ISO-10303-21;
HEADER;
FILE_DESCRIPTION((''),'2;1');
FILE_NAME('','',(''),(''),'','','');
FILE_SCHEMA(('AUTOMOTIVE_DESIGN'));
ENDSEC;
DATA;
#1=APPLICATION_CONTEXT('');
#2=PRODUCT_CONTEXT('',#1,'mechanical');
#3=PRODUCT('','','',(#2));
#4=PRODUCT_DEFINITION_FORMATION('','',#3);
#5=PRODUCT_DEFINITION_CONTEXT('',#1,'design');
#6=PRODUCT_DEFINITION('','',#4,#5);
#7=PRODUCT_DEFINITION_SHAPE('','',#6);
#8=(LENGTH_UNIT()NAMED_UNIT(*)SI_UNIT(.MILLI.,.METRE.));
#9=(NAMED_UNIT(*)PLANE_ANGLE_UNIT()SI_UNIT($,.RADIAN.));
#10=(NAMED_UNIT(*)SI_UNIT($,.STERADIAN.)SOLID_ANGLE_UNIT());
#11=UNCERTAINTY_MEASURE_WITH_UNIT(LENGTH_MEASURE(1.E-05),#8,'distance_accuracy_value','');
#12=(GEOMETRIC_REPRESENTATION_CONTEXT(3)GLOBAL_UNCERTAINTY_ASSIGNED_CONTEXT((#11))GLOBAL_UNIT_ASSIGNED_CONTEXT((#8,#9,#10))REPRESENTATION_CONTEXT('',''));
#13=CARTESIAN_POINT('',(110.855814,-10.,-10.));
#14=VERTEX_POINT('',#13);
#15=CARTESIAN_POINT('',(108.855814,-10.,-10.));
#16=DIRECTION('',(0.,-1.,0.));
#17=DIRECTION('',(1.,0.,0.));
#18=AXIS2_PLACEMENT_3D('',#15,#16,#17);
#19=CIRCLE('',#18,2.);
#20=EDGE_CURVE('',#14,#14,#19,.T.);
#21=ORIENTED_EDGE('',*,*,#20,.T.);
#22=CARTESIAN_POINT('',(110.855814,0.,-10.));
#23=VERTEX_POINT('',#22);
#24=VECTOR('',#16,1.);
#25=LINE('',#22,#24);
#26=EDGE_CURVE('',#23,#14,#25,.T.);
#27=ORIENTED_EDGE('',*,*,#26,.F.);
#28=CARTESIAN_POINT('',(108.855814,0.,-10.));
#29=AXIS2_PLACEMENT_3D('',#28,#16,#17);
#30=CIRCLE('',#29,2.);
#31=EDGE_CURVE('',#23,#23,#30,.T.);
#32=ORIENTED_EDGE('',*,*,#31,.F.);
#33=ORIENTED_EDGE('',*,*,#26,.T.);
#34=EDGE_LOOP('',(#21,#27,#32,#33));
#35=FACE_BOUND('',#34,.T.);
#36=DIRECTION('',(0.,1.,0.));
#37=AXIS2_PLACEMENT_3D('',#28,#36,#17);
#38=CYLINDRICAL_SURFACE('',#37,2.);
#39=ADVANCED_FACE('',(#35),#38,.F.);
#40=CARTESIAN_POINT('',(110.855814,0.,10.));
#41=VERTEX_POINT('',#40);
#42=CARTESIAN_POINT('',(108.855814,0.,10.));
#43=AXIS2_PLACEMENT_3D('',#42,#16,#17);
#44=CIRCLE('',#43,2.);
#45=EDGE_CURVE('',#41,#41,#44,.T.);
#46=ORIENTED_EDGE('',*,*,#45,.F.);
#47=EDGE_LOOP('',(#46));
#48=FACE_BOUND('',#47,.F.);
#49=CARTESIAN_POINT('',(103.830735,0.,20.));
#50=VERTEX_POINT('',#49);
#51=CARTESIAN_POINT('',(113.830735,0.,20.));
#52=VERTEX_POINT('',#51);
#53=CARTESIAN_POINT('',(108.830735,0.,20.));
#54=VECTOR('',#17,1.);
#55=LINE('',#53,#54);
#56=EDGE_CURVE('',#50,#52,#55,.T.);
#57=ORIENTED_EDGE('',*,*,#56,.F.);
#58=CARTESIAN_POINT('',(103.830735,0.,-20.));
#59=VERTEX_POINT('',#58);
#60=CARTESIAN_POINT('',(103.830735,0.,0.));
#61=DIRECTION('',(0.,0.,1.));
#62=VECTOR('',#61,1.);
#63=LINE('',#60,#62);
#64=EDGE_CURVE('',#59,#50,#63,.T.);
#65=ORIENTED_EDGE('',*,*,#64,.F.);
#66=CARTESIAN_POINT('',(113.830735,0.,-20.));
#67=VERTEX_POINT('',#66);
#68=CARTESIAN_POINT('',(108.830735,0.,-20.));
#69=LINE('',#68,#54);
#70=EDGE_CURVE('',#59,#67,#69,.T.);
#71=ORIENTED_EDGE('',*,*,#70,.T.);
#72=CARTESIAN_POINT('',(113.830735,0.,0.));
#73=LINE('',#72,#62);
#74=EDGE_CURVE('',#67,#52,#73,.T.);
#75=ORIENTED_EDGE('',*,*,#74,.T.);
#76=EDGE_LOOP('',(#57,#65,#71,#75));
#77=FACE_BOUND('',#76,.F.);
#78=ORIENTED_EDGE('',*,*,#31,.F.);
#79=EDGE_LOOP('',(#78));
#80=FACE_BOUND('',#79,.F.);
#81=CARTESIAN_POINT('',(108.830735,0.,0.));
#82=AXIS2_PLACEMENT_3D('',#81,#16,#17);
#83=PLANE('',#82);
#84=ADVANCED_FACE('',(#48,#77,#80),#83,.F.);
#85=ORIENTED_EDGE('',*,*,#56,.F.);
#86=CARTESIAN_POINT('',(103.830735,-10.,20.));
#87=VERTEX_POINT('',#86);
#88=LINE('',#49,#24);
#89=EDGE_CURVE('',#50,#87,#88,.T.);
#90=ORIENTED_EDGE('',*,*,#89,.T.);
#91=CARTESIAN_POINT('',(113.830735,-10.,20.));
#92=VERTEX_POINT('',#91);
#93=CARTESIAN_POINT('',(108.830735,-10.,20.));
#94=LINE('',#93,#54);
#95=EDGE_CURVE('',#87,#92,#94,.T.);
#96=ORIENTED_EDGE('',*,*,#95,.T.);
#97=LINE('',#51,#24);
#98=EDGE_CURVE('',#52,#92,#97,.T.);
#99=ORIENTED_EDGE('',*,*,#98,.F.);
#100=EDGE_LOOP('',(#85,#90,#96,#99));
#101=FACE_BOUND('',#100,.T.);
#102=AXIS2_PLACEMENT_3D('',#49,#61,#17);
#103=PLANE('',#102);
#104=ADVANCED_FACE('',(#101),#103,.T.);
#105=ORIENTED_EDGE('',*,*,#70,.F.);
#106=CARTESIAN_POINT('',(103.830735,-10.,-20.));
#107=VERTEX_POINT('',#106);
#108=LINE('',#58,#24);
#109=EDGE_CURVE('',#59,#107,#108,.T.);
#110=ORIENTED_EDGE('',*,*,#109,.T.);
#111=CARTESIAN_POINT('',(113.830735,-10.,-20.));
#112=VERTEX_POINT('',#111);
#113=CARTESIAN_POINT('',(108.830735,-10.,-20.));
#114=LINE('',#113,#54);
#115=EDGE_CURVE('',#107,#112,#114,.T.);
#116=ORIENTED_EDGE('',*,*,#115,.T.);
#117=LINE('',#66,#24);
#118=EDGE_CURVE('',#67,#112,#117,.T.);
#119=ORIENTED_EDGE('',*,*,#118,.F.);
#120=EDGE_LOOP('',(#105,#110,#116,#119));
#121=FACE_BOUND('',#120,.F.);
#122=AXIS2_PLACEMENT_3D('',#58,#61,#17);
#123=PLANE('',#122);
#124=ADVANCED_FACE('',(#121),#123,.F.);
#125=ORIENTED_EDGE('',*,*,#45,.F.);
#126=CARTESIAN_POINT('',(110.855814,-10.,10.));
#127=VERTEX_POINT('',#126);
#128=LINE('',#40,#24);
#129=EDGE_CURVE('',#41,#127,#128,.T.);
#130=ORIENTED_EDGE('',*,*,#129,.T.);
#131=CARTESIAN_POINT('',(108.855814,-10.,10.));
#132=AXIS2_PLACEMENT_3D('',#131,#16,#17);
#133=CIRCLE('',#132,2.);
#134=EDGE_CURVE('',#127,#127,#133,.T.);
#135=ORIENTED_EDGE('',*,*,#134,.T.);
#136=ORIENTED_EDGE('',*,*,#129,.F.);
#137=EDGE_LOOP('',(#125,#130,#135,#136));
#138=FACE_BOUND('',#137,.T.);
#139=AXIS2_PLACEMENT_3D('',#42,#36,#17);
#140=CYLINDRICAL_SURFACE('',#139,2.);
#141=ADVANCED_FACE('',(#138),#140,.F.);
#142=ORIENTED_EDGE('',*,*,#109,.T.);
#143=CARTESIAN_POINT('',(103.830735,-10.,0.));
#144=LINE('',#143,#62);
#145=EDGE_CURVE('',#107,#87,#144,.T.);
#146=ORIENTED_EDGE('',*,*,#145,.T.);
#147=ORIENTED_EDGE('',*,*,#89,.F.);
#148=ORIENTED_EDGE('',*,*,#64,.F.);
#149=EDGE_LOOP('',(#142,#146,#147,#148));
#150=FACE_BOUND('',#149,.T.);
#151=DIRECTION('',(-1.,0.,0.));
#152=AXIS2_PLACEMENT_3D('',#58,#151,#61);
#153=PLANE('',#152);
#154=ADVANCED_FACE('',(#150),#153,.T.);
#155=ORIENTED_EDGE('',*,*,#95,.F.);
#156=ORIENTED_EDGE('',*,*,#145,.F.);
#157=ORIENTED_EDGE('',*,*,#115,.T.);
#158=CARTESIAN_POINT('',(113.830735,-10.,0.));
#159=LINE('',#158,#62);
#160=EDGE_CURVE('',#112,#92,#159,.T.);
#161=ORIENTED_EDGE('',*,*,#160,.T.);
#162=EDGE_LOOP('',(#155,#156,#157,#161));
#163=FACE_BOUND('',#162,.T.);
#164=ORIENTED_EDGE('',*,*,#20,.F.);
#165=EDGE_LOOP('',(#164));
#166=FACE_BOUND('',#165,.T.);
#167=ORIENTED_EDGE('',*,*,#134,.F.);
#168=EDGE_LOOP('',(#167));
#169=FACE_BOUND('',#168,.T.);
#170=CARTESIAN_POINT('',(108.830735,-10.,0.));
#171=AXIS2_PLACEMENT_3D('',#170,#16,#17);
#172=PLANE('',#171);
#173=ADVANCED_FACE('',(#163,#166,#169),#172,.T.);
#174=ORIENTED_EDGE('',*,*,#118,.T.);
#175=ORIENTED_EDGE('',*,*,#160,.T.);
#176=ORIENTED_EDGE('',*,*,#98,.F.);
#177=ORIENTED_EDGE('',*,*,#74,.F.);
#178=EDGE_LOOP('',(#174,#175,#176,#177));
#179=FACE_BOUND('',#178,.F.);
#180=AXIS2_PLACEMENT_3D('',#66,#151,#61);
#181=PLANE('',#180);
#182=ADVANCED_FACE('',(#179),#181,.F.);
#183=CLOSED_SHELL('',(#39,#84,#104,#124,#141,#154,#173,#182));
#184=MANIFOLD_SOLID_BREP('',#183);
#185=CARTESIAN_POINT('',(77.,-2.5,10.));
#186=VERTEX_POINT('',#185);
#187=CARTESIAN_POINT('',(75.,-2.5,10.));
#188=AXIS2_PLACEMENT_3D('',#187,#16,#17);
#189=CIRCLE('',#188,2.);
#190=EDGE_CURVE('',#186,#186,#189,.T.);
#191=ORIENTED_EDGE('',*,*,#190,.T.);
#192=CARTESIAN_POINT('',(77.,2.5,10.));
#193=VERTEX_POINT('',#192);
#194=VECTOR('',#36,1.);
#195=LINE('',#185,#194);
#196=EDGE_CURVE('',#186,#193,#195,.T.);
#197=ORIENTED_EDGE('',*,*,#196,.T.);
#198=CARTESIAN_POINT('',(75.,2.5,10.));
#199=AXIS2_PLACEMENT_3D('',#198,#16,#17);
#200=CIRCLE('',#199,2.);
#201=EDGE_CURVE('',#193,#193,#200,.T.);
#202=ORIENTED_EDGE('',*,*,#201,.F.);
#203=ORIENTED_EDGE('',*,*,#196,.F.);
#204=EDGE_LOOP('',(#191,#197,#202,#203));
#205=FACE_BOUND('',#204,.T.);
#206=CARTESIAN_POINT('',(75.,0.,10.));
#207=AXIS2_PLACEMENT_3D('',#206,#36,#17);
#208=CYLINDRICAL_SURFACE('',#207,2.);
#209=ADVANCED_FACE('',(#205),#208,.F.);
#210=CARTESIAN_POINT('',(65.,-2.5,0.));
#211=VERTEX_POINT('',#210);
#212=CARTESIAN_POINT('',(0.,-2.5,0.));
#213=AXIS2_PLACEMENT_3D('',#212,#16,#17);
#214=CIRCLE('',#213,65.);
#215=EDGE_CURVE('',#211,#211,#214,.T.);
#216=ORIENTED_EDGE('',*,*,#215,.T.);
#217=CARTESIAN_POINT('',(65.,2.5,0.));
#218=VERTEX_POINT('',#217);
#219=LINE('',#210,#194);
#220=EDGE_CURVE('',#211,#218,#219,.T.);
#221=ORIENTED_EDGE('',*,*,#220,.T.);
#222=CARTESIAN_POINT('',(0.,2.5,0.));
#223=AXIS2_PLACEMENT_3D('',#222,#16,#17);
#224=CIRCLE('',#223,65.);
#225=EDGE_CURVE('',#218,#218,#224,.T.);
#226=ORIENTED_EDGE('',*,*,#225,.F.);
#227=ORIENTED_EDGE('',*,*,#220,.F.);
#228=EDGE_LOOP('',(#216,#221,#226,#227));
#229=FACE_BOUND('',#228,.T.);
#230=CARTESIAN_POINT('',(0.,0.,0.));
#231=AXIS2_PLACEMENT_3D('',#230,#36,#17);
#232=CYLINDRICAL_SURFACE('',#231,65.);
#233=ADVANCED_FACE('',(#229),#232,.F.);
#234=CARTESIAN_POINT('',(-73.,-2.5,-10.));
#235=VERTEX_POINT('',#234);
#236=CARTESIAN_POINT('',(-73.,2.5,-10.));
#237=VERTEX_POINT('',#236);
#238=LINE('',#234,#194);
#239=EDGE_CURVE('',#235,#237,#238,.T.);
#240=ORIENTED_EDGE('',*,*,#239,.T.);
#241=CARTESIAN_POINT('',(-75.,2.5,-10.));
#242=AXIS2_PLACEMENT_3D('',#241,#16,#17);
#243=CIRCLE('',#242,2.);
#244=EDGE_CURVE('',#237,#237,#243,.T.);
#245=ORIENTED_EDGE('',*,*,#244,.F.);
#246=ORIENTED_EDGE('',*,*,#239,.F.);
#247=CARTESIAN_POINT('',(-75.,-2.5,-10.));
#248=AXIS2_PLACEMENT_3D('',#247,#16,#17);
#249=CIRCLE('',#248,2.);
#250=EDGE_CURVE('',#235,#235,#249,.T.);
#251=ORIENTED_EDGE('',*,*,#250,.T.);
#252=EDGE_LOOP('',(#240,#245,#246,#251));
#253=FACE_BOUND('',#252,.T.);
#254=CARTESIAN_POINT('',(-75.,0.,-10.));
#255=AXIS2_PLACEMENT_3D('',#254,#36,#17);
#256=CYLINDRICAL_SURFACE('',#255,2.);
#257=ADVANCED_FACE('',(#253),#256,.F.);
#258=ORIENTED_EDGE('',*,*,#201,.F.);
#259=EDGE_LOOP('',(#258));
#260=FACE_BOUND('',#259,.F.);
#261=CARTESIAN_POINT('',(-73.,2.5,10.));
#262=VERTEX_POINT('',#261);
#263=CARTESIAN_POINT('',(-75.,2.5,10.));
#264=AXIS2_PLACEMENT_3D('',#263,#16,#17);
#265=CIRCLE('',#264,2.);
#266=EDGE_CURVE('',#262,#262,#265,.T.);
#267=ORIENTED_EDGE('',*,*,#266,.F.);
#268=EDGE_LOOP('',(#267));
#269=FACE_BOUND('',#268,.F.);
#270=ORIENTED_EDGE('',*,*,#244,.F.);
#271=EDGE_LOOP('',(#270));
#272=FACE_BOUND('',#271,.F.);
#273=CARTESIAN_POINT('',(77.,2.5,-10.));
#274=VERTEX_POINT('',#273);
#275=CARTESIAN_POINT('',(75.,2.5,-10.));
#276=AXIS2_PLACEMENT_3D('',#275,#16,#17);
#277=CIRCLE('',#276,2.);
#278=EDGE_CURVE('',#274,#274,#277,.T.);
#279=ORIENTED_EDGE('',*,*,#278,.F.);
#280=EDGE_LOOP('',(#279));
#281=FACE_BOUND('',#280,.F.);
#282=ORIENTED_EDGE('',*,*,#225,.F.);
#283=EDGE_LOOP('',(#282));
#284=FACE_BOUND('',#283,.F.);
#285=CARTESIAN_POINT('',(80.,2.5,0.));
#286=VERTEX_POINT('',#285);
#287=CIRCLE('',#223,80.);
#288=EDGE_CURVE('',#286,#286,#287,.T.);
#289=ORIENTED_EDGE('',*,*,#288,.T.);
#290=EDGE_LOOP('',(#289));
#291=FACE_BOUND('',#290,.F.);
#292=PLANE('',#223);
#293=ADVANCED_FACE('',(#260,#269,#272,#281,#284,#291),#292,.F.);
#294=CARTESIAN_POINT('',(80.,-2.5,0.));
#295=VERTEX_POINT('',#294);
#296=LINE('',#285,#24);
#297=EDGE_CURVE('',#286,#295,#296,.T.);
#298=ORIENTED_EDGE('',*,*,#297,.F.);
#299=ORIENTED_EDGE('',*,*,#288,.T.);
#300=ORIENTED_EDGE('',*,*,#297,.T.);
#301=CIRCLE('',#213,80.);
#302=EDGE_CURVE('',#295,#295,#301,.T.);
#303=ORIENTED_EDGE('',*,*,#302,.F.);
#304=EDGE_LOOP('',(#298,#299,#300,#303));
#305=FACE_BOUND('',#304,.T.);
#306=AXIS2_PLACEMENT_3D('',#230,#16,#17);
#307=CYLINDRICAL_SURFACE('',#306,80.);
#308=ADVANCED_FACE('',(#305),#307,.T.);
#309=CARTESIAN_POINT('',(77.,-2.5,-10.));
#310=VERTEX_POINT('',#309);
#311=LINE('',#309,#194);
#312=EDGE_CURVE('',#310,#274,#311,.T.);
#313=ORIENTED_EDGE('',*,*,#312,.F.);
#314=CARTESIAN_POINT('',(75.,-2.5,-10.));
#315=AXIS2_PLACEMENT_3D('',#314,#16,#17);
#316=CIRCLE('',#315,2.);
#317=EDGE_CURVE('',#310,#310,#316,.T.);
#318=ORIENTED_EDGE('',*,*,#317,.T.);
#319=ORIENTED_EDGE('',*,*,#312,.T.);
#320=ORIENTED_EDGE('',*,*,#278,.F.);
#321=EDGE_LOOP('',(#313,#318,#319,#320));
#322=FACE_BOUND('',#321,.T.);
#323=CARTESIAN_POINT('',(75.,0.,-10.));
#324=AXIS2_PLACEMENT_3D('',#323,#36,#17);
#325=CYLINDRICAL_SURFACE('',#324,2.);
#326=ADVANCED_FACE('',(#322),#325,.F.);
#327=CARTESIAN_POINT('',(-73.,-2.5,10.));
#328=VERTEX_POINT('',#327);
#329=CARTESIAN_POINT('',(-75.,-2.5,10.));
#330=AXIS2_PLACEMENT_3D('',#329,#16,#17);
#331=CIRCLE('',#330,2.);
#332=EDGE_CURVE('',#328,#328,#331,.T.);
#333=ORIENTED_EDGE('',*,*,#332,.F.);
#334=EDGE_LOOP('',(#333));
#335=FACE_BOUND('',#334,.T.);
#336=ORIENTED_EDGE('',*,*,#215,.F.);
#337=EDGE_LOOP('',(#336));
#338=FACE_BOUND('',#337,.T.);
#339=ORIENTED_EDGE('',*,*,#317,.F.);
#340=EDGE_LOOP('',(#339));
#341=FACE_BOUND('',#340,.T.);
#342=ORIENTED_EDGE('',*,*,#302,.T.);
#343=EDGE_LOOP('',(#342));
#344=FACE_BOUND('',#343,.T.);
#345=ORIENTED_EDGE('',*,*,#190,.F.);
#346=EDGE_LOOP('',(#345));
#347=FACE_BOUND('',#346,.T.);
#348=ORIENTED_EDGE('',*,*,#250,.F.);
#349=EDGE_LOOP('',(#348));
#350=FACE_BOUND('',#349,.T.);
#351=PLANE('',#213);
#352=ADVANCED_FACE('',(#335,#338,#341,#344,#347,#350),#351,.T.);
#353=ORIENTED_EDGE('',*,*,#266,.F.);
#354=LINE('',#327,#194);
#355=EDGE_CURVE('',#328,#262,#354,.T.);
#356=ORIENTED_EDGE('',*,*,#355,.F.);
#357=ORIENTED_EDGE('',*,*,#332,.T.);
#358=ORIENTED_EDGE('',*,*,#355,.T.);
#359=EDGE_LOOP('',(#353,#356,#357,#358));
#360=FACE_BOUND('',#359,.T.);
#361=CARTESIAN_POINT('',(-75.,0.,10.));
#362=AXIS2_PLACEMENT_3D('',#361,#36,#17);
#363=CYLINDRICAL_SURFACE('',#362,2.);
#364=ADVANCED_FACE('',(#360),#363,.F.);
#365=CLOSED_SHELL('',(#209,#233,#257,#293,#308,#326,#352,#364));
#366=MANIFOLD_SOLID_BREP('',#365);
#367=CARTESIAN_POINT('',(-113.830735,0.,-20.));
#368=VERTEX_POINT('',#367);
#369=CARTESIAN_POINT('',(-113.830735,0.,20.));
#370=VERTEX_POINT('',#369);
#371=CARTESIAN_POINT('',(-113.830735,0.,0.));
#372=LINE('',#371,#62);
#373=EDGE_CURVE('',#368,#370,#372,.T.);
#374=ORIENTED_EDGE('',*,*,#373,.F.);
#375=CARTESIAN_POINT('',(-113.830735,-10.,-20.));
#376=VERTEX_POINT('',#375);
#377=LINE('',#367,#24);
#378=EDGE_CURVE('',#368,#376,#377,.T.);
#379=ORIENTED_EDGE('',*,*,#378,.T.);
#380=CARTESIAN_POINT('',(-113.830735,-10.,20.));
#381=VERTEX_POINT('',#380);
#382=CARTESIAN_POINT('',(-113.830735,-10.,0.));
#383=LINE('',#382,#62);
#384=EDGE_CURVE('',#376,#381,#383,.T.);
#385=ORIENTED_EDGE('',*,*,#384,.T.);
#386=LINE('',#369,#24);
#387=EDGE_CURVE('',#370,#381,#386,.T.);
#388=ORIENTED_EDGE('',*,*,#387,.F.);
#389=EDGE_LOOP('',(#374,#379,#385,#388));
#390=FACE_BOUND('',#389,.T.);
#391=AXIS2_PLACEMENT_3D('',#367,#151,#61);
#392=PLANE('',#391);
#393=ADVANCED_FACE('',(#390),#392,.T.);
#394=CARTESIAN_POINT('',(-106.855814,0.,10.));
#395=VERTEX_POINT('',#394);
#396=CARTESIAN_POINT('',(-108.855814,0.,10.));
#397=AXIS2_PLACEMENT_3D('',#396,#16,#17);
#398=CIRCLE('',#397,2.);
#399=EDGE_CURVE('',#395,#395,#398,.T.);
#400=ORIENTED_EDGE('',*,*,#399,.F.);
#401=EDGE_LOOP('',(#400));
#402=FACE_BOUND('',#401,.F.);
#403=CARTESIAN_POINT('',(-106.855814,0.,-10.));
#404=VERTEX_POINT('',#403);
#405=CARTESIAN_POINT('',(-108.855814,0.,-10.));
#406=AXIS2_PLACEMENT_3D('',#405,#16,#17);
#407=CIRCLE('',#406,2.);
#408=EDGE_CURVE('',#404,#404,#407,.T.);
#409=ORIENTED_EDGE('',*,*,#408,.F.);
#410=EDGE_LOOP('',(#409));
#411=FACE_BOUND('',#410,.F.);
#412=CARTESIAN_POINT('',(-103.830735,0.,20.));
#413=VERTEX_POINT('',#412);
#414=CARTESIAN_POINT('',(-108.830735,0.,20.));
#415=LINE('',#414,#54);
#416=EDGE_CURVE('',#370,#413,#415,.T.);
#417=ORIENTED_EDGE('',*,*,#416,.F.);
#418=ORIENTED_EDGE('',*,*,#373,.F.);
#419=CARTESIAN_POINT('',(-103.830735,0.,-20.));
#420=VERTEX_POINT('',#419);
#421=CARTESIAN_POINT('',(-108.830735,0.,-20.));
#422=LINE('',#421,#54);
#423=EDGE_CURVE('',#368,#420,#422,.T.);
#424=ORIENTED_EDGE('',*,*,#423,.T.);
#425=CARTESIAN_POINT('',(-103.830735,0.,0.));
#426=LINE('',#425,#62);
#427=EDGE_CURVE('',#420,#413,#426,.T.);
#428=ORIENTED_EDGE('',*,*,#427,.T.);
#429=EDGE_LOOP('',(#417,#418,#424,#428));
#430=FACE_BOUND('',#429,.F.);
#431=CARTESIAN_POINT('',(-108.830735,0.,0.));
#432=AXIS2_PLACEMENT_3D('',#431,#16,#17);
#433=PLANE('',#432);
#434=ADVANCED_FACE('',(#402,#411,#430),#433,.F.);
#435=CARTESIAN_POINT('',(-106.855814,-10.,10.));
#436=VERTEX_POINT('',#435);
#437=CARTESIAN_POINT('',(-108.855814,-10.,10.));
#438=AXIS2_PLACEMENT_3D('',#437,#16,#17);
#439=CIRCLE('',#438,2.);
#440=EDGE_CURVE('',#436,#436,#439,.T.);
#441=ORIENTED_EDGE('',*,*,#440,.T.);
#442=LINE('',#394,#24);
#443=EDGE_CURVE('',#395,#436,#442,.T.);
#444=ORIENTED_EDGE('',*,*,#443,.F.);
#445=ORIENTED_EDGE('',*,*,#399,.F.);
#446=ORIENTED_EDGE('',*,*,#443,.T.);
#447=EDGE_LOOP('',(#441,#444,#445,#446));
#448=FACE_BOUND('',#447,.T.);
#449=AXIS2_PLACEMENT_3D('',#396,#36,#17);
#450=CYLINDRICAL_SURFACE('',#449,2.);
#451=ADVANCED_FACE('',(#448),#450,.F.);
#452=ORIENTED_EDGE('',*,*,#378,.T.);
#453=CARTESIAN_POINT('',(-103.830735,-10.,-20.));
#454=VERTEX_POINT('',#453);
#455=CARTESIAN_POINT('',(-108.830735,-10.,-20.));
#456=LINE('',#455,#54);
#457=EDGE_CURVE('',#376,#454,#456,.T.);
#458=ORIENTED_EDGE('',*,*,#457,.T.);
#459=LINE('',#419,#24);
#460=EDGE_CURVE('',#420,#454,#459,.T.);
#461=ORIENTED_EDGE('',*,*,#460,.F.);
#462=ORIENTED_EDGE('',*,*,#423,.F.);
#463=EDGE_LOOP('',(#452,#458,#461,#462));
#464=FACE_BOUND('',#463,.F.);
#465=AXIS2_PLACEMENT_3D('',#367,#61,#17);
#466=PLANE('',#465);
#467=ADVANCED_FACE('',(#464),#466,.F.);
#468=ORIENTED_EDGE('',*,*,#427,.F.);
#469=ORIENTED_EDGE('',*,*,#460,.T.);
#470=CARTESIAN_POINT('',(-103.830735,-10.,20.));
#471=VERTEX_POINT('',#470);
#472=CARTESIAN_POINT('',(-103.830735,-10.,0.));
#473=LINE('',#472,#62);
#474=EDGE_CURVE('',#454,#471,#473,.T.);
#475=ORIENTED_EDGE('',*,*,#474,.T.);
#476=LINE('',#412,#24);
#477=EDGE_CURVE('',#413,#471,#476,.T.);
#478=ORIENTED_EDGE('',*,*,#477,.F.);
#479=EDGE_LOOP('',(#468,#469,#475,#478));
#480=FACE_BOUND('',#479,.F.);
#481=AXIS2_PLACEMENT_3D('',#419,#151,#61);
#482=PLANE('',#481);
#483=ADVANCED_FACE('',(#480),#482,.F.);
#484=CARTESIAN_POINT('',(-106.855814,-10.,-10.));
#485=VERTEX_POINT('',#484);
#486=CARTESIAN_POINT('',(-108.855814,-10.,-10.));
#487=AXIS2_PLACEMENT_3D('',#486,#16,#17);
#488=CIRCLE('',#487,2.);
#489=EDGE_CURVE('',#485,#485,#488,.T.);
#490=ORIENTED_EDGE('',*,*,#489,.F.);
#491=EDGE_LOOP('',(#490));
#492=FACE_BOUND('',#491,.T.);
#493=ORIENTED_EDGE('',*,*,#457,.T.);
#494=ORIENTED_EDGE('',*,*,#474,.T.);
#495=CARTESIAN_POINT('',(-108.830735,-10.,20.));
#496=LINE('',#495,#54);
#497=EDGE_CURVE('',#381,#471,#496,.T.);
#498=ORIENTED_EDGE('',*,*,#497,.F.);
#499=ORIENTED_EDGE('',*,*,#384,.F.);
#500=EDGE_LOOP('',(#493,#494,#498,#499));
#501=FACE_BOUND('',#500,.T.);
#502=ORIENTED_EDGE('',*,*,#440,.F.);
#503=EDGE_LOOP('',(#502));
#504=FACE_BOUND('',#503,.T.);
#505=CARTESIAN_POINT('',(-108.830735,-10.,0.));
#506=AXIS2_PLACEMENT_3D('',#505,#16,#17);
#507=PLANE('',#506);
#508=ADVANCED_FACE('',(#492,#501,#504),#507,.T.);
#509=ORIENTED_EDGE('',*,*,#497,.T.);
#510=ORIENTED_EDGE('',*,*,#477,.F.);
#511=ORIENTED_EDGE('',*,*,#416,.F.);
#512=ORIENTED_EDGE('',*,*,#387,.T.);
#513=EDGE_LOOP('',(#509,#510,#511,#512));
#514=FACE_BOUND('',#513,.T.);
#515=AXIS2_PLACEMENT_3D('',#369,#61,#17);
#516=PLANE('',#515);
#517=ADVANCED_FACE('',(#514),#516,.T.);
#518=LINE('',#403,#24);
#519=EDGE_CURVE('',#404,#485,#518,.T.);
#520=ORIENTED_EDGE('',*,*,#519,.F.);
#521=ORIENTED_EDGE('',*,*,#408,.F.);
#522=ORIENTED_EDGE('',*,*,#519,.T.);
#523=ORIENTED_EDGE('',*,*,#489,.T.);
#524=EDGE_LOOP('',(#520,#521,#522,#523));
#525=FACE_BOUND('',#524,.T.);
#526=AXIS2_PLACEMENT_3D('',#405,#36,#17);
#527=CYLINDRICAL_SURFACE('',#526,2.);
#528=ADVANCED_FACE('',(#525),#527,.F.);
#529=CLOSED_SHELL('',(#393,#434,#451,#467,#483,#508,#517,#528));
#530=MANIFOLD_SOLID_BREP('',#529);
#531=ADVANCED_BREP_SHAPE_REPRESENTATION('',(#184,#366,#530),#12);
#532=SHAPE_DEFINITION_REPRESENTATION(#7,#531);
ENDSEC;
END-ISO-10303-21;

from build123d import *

# Parameters (mm, degrees)
F0_R     = 80
F0_R_2   = 2
F0_R_3   = 65
F1_DEPTH = 2.5
F2_W     = 10
F2_H     = 40
F2_R     = 2
F3_DEPTH = 10


with BuildPart() as f1:
    # F0 (on Front) → F1 (new body, symmetric)
    with BuildSketch(Plane.XZ):
        Circle(F0_R)
        with Locations((-75, -10)):
            Circle(F0_R_2, mode=Mode.SUBTRACT)
        with Locations((75, -10)):
            Circle(F0_R_2, mode=Mode.SUBTRACT)
        with Locations((-75, 10)):
            Circle(F0_R_2, mode=Mode.SUBTRACT)
        Circle(F0_R_3, mode=Mode.SUBTRACT)
        with Locations((75, 10)):
            Circle(F0_R_2, mode=Mode.SUBTRACT)
    extrude(amount=F1_DEPTH, both=True)


with BuildPart() as f3:
    # F2 (on Front) → F3 (new body)
    with BuildSketch(Plane.XZ):
        with Locations((-108.8307350874, 0)):
            Rectangle(F2_W, F2_H)
        with Locations((-108.8558137417, -10)):
            Circle(F2_R, mode=Mode.SUBTRACT)
        with Locations((-108.8558137417, 10)):
            Circle(F2_R, mode=Mode.SUBTRACT)
    extrude(amount=F3_DEPTH)


with BuildPart() as f3b:
    # F2 (on Front) → F3, piece 2 (new body)
    with BuildSketch(Plane.XZ):
        with Locations((108.8307350874, 0)):
            Rectangle(F2_W, F2_H)
        with Locations((108.8558137417, -10)):
            Circle(F2_R, mode=Mode.SUBTRACT)
        with Locations((108.8558137417, 10)):
            Circle(F2_R, mode=Mode.SUBTRACT)
    extrude(amount=F3_DEPTH)


solid = Compound([f1.part, f3.part, f3b.part])
